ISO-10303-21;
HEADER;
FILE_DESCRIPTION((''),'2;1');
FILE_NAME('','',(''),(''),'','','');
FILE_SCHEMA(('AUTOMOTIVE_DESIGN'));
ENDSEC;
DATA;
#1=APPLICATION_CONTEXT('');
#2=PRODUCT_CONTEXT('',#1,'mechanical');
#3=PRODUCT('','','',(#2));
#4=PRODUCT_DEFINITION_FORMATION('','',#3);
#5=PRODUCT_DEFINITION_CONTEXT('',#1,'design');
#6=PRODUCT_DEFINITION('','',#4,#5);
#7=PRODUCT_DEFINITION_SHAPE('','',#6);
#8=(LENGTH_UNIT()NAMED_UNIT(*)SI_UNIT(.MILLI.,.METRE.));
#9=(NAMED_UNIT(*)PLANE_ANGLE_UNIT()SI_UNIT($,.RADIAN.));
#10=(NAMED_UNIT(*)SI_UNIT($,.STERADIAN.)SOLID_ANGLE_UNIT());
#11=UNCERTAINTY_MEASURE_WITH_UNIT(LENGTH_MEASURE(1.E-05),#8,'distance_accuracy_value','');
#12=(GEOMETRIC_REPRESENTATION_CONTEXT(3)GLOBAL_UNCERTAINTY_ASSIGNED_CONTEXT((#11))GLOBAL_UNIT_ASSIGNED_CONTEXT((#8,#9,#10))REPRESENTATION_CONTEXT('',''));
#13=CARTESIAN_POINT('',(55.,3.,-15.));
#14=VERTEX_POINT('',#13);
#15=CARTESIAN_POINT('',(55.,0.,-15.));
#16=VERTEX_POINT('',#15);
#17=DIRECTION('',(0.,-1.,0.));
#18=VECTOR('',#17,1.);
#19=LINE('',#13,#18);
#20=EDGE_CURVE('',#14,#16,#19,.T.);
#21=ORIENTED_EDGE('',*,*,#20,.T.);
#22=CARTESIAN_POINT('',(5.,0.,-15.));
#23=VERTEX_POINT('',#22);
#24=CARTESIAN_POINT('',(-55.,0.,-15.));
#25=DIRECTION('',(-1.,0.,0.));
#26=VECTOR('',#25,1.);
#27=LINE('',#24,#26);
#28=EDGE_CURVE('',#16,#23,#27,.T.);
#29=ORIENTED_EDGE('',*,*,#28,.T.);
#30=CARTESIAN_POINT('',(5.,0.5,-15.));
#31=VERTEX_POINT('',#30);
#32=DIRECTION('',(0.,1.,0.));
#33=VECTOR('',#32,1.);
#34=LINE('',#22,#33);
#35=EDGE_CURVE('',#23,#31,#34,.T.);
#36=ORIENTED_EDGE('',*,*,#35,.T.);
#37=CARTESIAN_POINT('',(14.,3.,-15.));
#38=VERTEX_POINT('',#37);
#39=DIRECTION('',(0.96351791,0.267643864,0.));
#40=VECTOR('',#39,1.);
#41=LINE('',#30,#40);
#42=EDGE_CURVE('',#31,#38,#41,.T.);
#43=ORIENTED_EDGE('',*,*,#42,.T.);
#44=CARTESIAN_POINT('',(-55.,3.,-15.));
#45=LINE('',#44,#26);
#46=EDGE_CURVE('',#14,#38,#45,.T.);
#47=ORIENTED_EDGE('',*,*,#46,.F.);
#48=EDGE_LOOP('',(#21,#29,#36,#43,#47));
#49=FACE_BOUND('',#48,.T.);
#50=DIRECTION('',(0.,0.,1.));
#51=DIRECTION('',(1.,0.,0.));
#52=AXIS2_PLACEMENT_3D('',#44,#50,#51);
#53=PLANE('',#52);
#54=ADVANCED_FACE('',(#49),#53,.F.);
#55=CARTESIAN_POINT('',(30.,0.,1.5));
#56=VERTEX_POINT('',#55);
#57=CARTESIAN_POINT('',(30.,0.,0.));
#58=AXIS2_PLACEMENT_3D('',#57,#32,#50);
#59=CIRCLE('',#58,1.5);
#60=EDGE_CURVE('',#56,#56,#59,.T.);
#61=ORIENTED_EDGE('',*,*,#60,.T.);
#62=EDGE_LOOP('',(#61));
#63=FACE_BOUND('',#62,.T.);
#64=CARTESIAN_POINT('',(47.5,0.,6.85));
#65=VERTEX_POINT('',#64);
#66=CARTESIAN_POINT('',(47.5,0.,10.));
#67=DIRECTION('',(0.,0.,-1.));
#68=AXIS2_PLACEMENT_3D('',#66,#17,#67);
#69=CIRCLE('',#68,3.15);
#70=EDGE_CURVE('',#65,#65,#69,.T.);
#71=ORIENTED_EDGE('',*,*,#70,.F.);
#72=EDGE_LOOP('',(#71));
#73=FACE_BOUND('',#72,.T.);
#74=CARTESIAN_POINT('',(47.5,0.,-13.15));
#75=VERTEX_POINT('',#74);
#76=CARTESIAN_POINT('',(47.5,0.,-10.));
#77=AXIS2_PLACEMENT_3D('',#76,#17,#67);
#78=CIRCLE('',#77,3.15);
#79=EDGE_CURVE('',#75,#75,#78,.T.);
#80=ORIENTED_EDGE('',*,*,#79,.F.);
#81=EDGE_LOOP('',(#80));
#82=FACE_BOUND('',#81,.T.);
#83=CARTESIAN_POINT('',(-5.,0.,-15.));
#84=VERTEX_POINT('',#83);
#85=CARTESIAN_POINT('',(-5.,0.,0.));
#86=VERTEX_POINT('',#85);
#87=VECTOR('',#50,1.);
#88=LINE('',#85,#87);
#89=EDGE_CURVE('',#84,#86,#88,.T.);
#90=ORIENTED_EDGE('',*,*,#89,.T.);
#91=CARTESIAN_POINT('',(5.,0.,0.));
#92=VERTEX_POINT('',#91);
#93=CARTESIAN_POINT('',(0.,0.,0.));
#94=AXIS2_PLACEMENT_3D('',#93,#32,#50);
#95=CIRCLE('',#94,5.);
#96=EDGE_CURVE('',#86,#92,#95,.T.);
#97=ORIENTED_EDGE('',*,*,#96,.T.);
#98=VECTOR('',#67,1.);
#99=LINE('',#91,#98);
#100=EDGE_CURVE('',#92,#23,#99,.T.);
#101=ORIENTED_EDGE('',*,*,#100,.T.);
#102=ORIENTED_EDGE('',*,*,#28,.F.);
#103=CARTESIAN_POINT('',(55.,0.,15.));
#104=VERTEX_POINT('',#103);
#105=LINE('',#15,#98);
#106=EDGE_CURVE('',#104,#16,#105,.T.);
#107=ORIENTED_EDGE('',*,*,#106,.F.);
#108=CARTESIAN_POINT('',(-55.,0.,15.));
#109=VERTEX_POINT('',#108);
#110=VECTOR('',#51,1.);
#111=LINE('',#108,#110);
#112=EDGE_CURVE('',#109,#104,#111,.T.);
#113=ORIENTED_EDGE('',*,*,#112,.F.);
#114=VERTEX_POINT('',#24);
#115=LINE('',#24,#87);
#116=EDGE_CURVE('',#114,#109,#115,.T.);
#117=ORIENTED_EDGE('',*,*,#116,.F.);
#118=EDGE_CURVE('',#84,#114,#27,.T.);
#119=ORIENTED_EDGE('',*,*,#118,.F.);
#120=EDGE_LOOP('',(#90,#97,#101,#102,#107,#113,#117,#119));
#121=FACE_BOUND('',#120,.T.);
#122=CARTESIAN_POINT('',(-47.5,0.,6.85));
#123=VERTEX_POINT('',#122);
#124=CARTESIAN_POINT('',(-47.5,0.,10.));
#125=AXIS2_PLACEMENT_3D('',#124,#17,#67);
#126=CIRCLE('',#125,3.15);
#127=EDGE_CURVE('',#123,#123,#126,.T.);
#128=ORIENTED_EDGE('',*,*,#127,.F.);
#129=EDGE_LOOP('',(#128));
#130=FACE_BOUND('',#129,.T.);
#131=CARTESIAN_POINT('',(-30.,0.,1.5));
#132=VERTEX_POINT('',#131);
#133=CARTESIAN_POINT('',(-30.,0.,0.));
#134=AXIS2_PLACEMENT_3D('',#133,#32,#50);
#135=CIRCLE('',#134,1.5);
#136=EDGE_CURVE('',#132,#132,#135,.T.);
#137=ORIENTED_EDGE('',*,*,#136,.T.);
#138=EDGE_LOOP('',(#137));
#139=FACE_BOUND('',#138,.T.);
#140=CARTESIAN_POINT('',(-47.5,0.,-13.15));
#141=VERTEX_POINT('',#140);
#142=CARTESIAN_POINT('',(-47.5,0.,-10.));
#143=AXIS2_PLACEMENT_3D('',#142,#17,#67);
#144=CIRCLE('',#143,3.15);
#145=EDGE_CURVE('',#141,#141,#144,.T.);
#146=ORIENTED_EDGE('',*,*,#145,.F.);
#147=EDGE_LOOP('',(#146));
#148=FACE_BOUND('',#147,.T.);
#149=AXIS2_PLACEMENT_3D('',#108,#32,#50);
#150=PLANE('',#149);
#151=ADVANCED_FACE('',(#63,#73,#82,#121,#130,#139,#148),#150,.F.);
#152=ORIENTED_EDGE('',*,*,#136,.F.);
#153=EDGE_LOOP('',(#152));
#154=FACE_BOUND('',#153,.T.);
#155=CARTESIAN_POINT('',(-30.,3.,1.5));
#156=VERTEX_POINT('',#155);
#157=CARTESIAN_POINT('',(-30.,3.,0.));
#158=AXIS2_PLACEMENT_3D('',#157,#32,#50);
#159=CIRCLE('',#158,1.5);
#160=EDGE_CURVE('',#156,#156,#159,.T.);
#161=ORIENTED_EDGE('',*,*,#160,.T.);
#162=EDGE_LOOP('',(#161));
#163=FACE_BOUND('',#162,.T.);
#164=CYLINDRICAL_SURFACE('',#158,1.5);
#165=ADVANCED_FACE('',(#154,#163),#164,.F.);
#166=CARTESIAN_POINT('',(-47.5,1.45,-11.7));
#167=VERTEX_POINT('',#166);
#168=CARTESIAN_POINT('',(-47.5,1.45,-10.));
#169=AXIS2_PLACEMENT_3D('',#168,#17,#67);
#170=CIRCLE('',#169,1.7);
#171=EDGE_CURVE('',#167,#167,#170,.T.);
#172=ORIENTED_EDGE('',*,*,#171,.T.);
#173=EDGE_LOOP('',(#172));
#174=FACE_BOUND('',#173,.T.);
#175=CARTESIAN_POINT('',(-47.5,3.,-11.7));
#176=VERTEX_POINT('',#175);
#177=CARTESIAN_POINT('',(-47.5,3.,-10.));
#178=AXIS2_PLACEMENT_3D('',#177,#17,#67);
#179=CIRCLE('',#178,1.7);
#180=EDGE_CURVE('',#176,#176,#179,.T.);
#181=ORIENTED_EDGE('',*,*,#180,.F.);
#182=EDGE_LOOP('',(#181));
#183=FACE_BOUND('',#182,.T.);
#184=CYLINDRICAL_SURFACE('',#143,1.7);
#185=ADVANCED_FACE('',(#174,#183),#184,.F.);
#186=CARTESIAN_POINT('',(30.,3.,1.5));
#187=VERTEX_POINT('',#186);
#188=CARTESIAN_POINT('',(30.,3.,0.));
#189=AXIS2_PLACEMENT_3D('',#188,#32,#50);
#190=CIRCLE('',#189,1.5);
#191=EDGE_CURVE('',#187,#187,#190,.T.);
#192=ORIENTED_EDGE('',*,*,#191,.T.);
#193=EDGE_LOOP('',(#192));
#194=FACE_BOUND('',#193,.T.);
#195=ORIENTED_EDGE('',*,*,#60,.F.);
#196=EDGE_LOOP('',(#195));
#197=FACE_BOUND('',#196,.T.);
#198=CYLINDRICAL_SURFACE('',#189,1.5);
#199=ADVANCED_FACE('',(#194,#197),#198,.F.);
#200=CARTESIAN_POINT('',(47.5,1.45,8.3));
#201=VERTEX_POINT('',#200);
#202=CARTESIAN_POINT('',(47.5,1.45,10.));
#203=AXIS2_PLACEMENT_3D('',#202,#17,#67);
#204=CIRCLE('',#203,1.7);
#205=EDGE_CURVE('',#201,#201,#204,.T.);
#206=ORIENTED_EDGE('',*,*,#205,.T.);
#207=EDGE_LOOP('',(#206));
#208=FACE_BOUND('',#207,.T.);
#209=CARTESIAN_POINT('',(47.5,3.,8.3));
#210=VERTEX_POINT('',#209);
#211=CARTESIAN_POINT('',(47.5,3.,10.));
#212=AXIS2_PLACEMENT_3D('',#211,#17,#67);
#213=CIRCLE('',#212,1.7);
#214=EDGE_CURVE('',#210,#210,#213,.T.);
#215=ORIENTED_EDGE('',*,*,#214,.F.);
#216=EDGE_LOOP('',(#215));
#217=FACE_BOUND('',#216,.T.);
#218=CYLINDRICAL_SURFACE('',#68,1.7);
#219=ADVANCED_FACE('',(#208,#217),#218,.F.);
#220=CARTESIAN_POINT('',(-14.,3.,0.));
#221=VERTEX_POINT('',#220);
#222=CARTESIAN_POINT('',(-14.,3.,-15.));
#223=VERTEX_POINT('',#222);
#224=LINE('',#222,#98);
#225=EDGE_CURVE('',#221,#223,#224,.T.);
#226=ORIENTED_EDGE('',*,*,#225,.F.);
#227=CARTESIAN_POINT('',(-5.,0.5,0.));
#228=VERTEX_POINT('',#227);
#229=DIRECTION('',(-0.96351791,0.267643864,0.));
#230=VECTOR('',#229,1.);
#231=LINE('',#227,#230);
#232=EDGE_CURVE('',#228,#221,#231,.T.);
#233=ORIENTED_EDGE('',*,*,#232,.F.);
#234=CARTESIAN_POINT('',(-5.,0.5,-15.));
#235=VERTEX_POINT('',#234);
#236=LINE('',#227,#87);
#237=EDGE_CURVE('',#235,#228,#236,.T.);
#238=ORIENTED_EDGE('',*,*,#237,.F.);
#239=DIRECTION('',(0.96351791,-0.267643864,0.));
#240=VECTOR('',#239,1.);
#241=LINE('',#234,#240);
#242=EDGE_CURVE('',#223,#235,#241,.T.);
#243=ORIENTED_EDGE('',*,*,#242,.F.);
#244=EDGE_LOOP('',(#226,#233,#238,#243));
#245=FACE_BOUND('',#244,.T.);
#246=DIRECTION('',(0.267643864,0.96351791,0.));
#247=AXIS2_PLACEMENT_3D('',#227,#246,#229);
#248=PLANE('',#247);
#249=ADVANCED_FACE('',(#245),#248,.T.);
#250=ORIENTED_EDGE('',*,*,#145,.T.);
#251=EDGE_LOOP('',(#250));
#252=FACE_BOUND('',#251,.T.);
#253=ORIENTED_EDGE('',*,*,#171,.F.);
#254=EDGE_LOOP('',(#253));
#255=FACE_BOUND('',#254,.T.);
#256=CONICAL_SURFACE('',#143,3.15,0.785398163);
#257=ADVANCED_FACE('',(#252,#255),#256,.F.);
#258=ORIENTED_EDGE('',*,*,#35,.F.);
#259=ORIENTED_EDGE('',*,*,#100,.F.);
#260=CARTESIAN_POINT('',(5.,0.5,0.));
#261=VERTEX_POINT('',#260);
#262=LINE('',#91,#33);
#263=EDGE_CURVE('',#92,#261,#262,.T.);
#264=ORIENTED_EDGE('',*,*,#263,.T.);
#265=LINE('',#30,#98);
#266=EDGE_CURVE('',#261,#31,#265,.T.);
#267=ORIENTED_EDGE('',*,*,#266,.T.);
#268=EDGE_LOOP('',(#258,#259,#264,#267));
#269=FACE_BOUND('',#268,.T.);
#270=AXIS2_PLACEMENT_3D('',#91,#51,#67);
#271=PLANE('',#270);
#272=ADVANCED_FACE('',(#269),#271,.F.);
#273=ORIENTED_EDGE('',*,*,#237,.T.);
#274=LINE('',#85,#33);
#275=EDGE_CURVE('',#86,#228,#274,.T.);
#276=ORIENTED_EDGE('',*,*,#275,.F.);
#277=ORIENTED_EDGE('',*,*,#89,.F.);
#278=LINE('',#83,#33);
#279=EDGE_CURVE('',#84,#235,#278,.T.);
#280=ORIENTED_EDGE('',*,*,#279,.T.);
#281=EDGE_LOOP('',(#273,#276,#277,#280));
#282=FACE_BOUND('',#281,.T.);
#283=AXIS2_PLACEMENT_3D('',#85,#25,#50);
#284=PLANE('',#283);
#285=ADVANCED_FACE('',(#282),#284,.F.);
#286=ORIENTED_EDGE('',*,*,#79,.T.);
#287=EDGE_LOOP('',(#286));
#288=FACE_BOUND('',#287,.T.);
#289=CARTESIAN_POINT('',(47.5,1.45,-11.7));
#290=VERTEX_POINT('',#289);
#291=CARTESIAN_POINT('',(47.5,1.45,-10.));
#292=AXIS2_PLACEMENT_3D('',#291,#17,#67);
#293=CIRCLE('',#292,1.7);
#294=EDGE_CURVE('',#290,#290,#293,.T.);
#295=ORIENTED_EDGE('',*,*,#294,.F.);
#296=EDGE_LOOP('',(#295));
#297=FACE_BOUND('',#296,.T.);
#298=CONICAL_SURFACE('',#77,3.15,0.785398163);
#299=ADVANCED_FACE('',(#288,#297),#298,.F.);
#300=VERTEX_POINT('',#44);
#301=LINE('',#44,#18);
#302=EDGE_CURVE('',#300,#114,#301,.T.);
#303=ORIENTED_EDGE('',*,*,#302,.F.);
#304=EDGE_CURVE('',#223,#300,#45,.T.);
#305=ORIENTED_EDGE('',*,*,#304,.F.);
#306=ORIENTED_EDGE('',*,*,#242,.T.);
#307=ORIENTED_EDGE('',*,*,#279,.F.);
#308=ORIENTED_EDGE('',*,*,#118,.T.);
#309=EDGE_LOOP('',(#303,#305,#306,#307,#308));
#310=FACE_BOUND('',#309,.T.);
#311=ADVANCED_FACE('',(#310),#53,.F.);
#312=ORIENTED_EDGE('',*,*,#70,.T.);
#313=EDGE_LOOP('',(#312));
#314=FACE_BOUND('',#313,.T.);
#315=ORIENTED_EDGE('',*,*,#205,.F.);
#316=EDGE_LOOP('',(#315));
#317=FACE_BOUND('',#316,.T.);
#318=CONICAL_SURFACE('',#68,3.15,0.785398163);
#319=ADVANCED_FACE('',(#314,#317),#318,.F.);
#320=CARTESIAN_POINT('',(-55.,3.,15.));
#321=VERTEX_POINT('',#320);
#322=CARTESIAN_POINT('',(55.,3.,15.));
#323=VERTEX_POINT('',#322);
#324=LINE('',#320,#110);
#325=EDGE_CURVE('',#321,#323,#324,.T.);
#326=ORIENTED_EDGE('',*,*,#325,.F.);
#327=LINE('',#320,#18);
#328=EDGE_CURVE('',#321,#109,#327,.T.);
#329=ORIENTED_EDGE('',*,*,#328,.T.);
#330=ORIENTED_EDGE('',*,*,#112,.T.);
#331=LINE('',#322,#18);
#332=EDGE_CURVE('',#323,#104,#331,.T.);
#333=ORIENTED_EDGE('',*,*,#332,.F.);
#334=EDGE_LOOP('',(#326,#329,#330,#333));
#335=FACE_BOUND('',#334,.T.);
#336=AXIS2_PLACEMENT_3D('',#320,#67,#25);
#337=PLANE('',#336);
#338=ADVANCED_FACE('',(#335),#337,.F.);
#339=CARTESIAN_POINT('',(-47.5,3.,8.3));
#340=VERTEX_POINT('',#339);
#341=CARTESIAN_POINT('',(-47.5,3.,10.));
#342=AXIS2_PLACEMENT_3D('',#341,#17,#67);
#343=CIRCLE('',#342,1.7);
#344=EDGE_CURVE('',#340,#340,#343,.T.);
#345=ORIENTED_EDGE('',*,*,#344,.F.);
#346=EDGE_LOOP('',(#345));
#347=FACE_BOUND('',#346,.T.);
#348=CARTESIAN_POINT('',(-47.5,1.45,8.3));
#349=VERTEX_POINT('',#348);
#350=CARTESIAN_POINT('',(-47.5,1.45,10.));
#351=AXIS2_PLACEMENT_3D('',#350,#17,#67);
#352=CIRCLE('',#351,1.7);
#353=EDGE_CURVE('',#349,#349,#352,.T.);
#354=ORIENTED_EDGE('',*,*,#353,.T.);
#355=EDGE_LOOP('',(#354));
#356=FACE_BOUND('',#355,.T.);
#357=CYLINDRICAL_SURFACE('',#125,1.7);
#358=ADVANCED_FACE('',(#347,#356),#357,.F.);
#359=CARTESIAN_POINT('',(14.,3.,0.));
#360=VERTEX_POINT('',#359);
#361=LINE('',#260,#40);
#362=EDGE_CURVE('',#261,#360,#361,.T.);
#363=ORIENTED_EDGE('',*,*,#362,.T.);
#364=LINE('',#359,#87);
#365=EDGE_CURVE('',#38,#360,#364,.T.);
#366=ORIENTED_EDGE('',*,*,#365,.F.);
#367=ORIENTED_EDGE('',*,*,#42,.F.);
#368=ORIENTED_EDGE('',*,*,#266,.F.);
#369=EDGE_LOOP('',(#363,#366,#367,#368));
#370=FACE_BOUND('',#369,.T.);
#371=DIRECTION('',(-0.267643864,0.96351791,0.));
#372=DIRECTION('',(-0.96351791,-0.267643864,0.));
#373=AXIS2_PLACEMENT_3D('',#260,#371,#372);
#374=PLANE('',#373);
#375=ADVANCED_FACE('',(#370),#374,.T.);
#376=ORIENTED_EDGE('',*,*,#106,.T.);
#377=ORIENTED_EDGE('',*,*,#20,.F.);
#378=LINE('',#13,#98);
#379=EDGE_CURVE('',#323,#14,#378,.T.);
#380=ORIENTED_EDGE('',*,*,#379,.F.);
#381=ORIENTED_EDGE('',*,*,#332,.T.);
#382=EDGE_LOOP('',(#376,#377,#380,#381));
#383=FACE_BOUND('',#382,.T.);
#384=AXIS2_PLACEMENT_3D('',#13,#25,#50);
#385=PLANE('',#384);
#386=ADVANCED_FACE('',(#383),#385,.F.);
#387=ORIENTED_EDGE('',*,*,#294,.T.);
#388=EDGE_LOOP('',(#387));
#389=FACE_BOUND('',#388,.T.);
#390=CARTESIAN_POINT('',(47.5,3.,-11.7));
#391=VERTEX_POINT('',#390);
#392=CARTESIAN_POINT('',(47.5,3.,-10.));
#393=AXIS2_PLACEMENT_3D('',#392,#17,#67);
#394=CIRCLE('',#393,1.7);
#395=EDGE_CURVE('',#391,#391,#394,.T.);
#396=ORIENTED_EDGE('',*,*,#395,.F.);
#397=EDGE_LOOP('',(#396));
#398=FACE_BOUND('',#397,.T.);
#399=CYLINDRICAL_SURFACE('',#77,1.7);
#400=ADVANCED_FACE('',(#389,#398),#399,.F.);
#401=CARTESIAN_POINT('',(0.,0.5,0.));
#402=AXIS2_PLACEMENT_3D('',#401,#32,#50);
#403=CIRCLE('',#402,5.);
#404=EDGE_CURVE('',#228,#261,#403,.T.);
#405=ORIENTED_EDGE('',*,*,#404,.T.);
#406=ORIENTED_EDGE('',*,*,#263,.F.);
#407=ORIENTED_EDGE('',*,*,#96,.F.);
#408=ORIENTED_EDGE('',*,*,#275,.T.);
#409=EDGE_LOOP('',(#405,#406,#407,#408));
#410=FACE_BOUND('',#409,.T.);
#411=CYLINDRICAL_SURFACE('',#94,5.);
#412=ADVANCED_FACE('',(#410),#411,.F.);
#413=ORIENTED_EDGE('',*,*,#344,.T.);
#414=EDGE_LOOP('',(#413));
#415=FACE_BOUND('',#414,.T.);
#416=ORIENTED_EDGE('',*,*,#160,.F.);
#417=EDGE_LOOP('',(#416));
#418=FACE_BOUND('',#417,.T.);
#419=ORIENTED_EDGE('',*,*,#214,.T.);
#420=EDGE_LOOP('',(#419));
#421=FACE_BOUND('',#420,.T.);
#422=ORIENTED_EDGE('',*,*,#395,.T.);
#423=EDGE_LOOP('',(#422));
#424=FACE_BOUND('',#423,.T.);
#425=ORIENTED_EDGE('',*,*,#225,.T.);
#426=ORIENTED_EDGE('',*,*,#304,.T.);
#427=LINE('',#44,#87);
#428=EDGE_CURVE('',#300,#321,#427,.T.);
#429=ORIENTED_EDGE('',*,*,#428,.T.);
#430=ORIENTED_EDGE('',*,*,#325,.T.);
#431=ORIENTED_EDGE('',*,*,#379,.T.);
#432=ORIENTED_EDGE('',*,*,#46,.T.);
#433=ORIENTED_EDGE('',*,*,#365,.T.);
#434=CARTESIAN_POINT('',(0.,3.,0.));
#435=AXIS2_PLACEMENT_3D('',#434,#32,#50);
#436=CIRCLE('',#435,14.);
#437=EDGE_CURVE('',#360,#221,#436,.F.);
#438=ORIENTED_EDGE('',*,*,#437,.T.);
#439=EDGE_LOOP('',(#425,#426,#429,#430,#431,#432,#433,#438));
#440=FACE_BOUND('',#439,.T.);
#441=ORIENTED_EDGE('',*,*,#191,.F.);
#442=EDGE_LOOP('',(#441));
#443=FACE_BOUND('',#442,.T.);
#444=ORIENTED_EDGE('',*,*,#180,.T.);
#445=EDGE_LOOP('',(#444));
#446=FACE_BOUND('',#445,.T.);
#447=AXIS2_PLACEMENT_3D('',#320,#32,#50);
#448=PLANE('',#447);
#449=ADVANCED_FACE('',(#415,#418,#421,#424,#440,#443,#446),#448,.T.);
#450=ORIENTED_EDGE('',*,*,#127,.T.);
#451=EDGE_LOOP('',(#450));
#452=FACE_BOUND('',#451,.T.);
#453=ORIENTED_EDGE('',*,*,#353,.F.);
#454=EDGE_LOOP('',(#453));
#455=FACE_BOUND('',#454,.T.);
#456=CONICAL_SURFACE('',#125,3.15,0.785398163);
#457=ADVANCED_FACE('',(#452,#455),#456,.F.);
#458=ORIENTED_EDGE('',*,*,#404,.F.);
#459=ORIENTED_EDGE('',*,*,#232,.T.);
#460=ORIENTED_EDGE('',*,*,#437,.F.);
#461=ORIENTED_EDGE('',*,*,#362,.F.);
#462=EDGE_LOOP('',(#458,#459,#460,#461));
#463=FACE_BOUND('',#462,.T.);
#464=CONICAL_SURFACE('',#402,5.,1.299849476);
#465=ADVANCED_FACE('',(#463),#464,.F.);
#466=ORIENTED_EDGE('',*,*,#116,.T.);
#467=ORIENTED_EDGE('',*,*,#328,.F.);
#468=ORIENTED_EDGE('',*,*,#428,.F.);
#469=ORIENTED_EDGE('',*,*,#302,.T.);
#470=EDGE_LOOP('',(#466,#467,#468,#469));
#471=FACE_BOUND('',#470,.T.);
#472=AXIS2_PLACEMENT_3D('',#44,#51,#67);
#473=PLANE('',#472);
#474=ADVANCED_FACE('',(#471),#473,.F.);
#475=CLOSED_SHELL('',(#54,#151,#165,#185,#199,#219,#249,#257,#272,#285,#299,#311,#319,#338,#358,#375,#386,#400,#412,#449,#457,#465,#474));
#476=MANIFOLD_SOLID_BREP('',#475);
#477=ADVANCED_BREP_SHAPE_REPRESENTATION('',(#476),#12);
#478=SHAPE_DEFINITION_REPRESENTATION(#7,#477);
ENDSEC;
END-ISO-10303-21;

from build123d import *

# Parameters (mm, degrees)
SKETCH1_W                                    = 110
SKETCH1_H                                    = 30
EXTRUDE1_DEPTH                               = 3
CUT_EXTRUDE1_DEPTH                           = 58.087651905
CHAMFER1_SIZE                                = 9
CHAMFER1_SIZE2                               = 2.5
CSK_FOR_M3_COUNTERSUNK_RAISED_HEAD_S_2_COUNT = 2
CSK_FOR_M3_COUNTERSUNK_RAISED_HEAD_S_2_PITCH = 95
CSK_FOR_M3_COUNTERSUNK_RAISED_HEAD_S_3_COUNT = 2
CSK_FOR_M3_COUNTERSUNK_RAISED_HEAD_S_3_PITCH = 97.082439195
CSK_FOR_M3_COUNTERSUNK_RAISED_HEAD_S_4_COUNT = 2
CSK_FOR_M3_COUNTERSUNK_RAISED_HEAD_S_4_PITCH = 20
M3_TAPPED_HOLE1_D                            = 3


with BuildPart() as part:
    # Sketch1 → Extrude1 (new body)
    with BuildSketch(Plane(origin=(0, 0, 0), x_dir=(1, 0, 0), z_dir=(0, 1, 0))):
        Rectangle(SKETCH1_W, SKETCH1_H)
    extrude(amount=EXTRUDE1_DEPTH)

    # Sketch2 → Cut-Extrude1 (cut, through all)
    with BuildSketch(Plane(origin=(0, 3, 0), x_dir=(-1, 0, 0), z_dir=(0, 1, 0))):
        with BuildLine():
            Line((5, 0), (5, -15))
            Line((5, -15), (-5, -15))
            Line((-5, -15), (-5, 0))
            ThreePointArc((-5, 0), (0, 5), (5, 0))
        make_face()
    extrude(amount=-CUT_EXTRUDE1_DEPTH, mode=Mode.SUBTRACT)

    # Chamfer1
    chamfer1_edges = [part.edges().sort_by_distance(p)[0] for p in [
        (0, 3, 5),
        (5, 3, -7.5),
        (-5, 3, -7.5),
    ]]
    chamfer1_side = [part.faces().sort_by_distance(p)[0] for p in [
        (-53.859824575, 3, 0),
    ]]
    chamfer(chamfer1_edges, length=CHAMFER1_SIZE, length2=CHAMFER1_SIZE2, reference=chamfer1_side[0])

    # Sketch8 → CSK for M3 Countersunk Raised Head Screw1 (revolve, cut)
    with BuildSketch(Plane(origin=(47.5, 0, -10), x_dir=(0, 0, -1), z_dir=(1, 0, 0))):
        Polygon((0, 0), (0, 3), (1.7, 3), (1.7, 1.45), (3.15, 0), align=None)
    csk_for_m3_countersunk_raised_head_screw = revolve(axis=Axis((47.5, -6.35, -10), (0, 1, 0)), mode=Mode.SUBTRACT)

    # CSK for M3 Countersunk Raised Head S 2: CSK for M3 Countersunk Raised Head Screw1 ×2
    with Locations(*[(-i * CSK_FOR_M3_COUNTERSUNK_RAISED_HEAD_S_2_PITCH, 0, 0) for i in range(1, CSK_FOR_M3_COUNTERSUNK_RAISED_HEAD_S_2_COUNT)]):
        add(csk_for_m3_countersunk_raised_head_screw, mode=Mode.SUBTRACT)

    # CSK for M3 Countersunk Raised Head S 3: CSK for M3 Countersunk Raised Head Screw1 ×2
    with Locations(*[Vector(-0.978549784986749, 0, 0.20601048104984188) * (i * CSK_FOR_M3_COUNTERSUNK_RAISED_HEAD_S_3_PITCH) for i in range(1, CSK_FOR_M3_COUNTERSUNK_RAISED_HEAD_S_3_COUNT)]):
        add(csk_for_m3_countersunk_raised_head_screw, mode=Mode.SUBTRACT)

    # CSK for M3 Countersunk Raised Head S 4: CSK for M3 Countersunk Raised Head Screw1 ×2
    with Locations(*[(0, 0, i * CSK_FOR_M3_COUNTERSUNK_RAISED_HEAD_S_4_PITCH) for i in range(1, CSK_FOR_M3_COUNTERSUNK_RAISED_HEAD_S_4_COUNT)]):
        add(csk_for_m3_countersunk_raised_head_screw, mode=Mode.SUBTRACT)

    # M3 Tapped Hole1 (through all)
    with Locations(Plane(origin=(0, 3, 0), x_dir=(-1, 0, 0), z_dir=(0, 1, 0))):
        with Locations((-30, 0), (30, 0)):
            Hole(M3_TAPPED_HOLE1_D / 2)


solid = part.part
